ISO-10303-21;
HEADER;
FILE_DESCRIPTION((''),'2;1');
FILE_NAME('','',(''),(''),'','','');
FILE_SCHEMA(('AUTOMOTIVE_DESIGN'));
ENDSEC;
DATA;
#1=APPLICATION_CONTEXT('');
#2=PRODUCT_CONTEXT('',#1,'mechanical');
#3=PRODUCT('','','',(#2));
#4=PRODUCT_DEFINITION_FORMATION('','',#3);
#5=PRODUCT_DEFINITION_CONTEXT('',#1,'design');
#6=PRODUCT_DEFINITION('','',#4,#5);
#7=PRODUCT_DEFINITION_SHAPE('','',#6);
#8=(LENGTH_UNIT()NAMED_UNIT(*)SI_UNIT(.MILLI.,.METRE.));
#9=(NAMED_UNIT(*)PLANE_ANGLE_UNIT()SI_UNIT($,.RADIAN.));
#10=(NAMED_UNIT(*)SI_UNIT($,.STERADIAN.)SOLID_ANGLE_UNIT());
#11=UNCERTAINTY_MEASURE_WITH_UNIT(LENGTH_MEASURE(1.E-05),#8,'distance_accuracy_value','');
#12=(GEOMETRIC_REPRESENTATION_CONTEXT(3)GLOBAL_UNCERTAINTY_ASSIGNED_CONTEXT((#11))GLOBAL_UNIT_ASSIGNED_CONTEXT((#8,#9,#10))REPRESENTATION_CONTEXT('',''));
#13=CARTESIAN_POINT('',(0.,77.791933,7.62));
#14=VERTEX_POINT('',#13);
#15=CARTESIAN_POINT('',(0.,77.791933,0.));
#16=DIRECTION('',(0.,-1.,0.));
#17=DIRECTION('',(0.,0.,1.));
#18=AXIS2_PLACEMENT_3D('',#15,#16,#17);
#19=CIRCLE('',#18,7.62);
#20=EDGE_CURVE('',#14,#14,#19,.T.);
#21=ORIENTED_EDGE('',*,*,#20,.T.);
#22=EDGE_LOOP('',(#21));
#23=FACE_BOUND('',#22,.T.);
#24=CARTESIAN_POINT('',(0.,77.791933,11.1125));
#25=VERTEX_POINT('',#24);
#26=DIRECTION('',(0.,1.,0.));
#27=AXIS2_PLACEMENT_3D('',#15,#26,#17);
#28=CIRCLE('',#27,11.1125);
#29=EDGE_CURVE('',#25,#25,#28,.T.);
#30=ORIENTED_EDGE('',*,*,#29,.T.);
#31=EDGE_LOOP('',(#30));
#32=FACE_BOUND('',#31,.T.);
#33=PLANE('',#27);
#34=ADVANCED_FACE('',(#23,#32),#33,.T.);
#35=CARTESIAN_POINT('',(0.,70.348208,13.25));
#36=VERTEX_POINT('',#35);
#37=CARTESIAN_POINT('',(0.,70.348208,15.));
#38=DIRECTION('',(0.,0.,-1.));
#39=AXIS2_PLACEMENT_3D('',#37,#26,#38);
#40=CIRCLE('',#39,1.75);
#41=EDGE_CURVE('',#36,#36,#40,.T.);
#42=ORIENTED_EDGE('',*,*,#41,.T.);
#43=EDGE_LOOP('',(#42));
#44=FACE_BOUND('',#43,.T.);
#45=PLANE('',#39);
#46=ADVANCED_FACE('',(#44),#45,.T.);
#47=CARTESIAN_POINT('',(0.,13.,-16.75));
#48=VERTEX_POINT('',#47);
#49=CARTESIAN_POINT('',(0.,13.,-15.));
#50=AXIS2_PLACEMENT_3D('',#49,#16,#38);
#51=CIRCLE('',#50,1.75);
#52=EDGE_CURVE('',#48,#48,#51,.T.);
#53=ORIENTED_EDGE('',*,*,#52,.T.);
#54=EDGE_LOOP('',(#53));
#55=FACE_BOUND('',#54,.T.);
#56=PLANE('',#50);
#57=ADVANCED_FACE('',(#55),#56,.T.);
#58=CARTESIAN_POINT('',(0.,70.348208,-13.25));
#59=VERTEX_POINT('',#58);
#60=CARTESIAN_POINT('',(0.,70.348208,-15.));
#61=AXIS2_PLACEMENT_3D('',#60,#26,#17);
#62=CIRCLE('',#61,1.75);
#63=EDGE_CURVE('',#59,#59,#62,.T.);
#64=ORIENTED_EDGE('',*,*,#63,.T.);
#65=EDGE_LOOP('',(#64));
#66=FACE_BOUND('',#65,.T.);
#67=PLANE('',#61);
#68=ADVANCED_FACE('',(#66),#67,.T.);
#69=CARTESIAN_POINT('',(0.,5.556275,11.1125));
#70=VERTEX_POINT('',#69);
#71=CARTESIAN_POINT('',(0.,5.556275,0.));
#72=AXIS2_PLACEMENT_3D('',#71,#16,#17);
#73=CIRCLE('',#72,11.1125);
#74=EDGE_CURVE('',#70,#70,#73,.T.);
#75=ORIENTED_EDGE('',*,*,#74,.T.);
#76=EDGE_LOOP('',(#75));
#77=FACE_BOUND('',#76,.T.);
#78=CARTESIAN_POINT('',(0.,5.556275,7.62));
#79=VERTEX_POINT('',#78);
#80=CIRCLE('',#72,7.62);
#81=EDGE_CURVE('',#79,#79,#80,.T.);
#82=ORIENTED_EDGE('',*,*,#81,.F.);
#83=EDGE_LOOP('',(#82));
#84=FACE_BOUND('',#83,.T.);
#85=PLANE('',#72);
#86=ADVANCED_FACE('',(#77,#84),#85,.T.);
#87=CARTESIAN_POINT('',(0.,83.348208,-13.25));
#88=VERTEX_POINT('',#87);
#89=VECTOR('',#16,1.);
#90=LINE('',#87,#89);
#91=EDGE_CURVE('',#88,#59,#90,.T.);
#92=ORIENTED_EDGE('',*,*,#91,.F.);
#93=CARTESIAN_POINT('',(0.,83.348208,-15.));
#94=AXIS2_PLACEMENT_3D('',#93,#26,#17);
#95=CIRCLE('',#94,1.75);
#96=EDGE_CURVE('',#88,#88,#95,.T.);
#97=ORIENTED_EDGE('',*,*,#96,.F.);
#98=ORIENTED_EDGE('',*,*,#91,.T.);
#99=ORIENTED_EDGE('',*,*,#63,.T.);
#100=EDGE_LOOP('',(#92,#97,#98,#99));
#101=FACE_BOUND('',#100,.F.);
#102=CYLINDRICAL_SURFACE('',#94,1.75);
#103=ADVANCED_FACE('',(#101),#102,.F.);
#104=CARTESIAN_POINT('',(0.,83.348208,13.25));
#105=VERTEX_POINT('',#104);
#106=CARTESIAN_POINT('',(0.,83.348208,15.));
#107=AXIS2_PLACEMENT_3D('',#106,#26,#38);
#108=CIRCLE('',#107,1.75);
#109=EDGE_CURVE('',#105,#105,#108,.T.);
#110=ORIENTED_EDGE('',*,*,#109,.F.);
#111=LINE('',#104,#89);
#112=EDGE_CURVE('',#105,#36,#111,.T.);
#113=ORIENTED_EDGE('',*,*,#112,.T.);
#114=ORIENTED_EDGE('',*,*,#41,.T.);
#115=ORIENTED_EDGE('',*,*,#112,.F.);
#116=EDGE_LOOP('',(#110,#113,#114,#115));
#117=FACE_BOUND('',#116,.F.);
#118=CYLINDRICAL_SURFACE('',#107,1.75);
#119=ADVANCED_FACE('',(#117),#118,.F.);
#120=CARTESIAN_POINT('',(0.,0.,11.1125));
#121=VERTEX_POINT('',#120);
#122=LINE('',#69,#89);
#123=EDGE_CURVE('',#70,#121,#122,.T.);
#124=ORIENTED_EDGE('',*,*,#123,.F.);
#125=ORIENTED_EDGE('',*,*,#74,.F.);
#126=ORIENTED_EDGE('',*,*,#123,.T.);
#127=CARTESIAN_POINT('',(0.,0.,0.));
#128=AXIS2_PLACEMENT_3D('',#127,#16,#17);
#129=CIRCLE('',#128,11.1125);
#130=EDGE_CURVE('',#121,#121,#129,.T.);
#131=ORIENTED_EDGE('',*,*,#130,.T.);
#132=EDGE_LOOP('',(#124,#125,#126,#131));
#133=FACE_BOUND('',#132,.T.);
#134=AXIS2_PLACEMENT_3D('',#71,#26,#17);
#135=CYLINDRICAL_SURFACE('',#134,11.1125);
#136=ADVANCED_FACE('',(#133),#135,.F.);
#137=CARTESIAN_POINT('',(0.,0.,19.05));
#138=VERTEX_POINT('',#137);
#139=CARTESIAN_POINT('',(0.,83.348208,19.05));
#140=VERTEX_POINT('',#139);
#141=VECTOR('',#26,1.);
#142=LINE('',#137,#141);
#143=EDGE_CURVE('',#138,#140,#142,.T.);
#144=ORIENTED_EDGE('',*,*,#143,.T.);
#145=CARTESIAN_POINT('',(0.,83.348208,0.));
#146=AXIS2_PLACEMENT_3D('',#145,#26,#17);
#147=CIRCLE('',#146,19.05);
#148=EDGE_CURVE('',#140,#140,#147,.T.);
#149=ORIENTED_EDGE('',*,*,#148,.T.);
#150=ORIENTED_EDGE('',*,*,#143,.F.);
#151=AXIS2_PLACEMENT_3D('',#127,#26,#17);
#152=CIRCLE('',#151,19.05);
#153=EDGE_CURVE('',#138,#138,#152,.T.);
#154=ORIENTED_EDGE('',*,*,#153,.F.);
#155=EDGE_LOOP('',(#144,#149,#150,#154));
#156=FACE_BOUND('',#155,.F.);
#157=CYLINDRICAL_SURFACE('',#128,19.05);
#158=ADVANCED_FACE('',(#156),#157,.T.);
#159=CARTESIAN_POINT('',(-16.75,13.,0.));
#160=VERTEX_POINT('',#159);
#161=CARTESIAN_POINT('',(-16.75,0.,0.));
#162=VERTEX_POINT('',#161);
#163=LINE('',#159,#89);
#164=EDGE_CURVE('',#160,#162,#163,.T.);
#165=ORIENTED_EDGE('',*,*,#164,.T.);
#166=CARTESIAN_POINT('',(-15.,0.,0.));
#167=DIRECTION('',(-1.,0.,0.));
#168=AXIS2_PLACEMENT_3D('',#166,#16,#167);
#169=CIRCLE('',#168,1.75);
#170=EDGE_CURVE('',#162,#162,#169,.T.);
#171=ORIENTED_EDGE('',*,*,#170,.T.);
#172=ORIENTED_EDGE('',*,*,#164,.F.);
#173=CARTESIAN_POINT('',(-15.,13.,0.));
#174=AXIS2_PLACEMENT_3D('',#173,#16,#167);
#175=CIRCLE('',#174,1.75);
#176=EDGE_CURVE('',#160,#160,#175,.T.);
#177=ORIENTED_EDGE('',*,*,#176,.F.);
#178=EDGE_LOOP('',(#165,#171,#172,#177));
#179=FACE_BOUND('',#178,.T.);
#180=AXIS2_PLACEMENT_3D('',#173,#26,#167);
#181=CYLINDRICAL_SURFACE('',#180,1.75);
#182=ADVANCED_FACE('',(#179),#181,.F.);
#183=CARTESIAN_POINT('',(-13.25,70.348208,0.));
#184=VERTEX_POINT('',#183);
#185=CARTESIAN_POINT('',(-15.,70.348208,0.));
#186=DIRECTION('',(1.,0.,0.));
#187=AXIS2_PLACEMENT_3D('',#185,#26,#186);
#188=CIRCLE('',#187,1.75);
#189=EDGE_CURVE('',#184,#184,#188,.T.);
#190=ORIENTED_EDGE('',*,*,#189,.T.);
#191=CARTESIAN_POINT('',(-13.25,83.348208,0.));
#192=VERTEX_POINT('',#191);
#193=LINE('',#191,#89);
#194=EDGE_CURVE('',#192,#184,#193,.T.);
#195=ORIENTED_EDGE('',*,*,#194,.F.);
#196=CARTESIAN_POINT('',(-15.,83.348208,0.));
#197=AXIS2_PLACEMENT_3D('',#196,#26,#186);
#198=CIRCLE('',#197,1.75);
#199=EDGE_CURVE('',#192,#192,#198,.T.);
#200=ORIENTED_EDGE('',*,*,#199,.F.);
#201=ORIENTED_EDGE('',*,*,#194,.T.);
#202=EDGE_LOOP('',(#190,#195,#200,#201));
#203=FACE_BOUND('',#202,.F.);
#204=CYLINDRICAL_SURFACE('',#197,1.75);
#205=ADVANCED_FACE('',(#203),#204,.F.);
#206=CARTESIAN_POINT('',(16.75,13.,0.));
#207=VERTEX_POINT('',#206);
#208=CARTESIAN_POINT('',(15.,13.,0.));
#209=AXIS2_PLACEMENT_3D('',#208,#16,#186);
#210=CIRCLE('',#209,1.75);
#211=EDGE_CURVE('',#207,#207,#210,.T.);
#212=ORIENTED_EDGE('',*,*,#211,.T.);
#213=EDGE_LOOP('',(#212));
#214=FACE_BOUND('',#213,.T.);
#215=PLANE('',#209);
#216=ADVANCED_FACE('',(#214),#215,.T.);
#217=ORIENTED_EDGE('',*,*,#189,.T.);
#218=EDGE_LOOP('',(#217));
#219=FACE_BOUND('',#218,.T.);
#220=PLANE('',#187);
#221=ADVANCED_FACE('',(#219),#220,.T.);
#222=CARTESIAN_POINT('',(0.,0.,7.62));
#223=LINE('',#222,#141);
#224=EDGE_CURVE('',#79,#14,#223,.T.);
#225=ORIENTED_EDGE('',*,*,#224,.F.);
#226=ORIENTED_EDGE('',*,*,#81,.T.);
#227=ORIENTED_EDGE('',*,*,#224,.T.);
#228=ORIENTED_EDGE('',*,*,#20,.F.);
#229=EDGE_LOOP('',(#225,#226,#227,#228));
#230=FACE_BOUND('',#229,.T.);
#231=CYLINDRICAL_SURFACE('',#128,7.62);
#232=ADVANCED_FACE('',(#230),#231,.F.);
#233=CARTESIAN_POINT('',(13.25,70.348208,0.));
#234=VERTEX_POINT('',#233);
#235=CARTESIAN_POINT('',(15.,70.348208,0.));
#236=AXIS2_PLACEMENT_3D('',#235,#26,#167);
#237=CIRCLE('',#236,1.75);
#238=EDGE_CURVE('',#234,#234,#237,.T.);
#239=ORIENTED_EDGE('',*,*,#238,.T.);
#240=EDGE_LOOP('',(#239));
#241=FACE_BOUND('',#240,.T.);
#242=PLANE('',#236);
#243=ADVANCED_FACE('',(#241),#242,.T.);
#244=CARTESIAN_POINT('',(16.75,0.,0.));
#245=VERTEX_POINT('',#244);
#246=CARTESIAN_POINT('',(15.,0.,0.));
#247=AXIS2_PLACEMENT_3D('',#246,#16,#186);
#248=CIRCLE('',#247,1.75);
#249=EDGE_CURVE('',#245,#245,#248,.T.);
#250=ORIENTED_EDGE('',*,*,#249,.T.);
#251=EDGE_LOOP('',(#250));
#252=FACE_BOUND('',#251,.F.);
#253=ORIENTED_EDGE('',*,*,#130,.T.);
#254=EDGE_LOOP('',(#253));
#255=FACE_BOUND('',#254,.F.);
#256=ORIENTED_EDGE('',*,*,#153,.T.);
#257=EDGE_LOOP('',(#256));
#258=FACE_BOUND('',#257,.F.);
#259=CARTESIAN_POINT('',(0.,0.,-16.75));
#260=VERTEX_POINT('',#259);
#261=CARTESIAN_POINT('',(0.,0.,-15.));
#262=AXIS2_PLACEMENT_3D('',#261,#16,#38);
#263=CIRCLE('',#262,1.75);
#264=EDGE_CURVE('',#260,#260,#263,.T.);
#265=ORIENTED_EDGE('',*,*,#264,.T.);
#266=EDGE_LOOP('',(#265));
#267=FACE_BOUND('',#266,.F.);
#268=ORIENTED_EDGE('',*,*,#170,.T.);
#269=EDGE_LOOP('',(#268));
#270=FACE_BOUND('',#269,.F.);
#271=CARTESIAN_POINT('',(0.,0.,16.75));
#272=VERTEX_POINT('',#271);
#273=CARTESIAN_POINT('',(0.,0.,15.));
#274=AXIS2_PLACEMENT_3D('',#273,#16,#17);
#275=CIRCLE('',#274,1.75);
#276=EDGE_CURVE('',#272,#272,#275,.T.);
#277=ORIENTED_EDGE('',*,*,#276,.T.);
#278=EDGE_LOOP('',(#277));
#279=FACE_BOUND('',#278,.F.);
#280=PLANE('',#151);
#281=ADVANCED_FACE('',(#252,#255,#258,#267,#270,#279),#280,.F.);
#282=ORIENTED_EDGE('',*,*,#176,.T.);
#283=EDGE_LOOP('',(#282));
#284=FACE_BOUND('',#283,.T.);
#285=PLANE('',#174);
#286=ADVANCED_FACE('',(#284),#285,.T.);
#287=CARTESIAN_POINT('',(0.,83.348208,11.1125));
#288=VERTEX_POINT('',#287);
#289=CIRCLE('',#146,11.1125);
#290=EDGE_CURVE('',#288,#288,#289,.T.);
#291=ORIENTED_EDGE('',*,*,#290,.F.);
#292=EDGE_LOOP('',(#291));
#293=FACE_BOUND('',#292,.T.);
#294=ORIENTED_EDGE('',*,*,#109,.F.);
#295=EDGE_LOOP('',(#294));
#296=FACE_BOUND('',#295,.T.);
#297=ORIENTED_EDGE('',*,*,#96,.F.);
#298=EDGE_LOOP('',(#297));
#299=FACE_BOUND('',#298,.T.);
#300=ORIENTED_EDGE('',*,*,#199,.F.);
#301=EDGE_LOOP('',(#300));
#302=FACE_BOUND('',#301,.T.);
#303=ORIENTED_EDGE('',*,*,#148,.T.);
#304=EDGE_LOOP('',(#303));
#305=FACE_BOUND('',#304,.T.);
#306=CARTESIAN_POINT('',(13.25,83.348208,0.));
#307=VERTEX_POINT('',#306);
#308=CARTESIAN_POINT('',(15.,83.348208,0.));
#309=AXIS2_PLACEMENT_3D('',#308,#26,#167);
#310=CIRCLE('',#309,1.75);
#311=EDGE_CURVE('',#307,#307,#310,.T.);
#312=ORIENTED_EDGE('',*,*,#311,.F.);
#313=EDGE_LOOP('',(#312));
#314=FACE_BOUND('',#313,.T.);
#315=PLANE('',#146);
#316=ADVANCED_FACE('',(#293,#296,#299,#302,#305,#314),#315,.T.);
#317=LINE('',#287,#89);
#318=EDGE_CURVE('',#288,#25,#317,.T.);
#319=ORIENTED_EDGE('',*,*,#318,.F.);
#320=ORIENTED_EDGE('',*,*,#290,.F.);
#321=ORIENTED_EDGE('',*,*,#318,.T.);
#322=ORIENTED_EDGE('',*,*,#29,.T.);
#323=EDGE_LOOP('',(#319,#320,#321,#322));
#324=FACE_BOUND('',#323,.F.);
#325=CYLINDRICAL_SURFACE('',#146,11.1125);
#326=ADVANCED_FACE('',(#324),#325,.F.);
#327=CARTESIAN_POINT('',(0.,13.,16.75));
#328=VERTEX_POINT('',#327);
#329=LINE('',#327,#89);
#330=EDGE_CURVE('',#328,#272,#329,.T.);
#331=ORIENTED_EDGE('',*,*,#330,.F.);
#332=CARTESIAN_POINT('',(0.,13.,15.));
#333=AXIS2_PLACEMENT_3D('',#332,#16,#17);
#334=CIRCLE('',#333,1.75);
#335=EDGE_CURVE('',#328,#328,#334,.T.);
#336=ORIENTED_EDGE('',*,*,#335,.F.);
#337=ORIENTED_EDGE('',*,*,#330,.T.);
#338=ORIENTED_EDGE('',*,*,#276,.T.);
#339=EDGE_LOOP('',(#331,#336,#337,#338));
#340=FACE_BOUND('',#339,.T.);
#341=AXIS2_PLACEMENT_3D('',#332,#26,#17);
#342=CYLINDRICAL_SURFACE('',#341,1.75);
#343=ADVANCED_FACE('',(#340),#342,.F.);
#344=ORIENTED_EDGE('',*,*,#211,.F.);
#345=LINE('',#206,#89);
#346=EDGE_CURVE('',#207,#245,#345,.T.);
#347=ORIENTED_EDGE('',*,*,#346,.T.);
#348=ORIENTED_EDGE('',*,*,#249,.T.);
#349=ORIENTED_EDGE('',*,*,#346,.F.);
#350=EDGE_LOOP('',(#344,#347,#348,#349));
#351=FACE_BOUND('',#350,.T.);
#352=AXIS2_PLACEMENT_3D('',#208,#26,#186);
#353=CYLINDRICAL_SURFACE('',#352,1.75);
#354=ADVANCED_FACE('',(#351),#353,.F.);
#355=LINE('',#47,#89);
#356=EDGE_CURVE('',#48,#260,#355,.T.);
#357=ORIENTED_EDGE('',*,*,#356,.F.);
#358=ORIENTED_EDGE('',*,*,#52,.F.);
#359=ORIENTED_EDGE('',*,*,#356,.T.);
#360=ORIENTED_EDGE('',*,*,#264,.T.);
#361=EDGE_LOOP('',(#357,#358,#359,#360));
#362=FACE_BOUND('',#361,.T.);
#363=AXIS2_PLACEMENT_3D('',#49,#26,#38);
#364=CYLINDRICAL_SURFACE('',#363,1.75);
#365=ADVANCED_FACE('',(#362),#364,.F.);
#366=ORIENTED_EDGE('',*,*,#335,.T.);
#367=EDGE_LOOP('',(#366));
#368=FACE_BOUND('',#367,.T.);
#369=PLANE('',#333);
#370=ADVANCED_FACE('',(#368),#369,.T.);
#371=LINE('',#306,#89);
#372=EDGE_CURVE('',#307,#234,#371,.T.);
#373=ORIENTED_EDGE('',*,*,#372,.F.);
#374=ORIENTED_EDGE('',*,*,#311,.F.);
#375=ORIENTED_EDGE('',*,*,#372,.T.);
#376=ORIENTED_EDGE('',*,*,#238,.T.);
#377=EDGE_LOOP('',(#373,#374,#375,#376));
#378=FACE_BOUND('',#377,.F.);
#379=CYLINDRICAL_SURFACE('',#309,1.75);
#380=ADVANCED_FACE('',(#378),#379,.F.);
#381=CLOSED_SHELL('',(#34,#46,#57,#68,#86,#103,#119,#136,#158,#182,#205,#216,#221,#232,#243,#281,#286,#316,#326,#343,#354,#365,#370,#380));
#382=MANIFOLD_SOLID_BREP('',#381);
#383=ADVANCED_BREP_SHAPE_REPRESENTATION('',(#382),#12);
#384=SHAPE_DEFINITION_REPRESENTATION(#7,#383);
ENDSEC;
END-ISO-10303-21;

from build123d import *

# Parameters (mm, degrees)
SKETCH1_R           = 19.05
SKETCH1_R_2         = 7.62
BOSS_EXTRUDE1_DEPTH = 83.348208
SKETCH3_R           = 11.1125
CUT_EXTRUDE2_DEPTH  = 5.5562754
CUT_EXTRUDE3_START  = -5.5562754
SKETCH4_R           = 11.1125
CUT_EXTRUDE3_DEPTH  = 5.5562754
SKETCH13_R          = 1.75
CUT_EXTRUDE4_DEPTH  = 13
CIRPATTERN2_COUNT   = 4
CUT_EXTRUDE6_START  = -13
SKETCH19_R          = 1.75
CUT_EXTRUDE6_DEPTH  = 13
CIRPATTERN4_COUNT   = 4


with BuildPart() as part:
    # Sketch1 → Boss-Extrude1 (new body)
    with BuildSketch(Plane(origin=(0, 0, 0), x_dir=(1, 0, 0), z_dir=(0, 1, 0))):
        with Locations(Location((0, 0, 0), (0, 0, 270))):
            Circle(SKETCH1_R)
        with Locations(Location((0, 0, 0), (0, 0, 270))):
            Circle(SKETCH1_R_2, mode=Mode.SUBTRACT)
    extrude(amount=BOSS_EXTRUDE1_DEPTH)

    # Sketch3 → Cut-Extrude2 (cut)
    with BuildSketch(Plane(origin=(0, 83.348208, 0), x_dir=(1, 0, 0), z_dir=(0, 1, 0))):
        with Locations(Location((0, 0, 0), (0, 0, 270))):
            Circle(SKETCH3_R)
    extrude(amount=-CUT_EXTRUDE2_DEPTH, mode=Mode.SUBTRACT)

    # Sketch4 → Cut-Extrude3 (cut)
    with BuildSketch(Plane.XZ.offset(CUT_EXTRUDE3_START)):
        with Locations(Location((0, 0, 0), (0, 0, 90))):
            Circle(SKETCH4_R)
    extrude(amount=CUT_EXTRUDE3_DEPTH, mode=Mode.SUBTRACT)

    # Sketch13 → Cut-Extrude4 (cut)
    with BuildSketch(Plane(origin=(0, 83.348208, 0), x_dir=(1, 0, 0), z_dir=(0, 1, 0))):
        with Locations(Location((0, 15, 0), (0, 0, 270))):
            Circle(SKETCH13_R)
    cut_extrude4 = extrude(amount=-CUT_EXTRUDE4_DEPTH, mode=Mode.SUBTRACT)

    # CirPattern2: Cut-Extrude4 ×4 about axis
    cirpattern2_axis = Axis((0, 0, 0), (0, 1, 0))
    for i in range(1, CIRPATTERN2_COUNT):
        add(cut_extrude4.rotate(cirpattern2_axis, i * 360 / CIRPATTERN2_COUNT), mode=Mode.SUBTRACT)

    # Sketch19 → Cut-Extrude6 (cut)
    with BuildSketch(Plane.XZ.offset(CUT_EXTRUDE6_START)):
        with Locations(Location((0, 15, 0), (0, 0, 90))):
            Circle(SKETCH19_R)
    cut_extrude6 = extrude(amount=CUT_EXTRUDE6_DEPTH, mode=Mode.SUBTRACT)

    # CirPattern4: Cut-Extrude6 ×4 about axis
    cirpattern4_axis = Axis((0, 0, 0), (0, 1, 0))
    for i in range(1, CIRPATTERN4_COUNT):
        add(cut_extrude6.rotate(cirpattern4_axis, i * 360 / CIRPATTERN4_COUNT), mode=Mode.SUBTRACT)


solid = part.part
